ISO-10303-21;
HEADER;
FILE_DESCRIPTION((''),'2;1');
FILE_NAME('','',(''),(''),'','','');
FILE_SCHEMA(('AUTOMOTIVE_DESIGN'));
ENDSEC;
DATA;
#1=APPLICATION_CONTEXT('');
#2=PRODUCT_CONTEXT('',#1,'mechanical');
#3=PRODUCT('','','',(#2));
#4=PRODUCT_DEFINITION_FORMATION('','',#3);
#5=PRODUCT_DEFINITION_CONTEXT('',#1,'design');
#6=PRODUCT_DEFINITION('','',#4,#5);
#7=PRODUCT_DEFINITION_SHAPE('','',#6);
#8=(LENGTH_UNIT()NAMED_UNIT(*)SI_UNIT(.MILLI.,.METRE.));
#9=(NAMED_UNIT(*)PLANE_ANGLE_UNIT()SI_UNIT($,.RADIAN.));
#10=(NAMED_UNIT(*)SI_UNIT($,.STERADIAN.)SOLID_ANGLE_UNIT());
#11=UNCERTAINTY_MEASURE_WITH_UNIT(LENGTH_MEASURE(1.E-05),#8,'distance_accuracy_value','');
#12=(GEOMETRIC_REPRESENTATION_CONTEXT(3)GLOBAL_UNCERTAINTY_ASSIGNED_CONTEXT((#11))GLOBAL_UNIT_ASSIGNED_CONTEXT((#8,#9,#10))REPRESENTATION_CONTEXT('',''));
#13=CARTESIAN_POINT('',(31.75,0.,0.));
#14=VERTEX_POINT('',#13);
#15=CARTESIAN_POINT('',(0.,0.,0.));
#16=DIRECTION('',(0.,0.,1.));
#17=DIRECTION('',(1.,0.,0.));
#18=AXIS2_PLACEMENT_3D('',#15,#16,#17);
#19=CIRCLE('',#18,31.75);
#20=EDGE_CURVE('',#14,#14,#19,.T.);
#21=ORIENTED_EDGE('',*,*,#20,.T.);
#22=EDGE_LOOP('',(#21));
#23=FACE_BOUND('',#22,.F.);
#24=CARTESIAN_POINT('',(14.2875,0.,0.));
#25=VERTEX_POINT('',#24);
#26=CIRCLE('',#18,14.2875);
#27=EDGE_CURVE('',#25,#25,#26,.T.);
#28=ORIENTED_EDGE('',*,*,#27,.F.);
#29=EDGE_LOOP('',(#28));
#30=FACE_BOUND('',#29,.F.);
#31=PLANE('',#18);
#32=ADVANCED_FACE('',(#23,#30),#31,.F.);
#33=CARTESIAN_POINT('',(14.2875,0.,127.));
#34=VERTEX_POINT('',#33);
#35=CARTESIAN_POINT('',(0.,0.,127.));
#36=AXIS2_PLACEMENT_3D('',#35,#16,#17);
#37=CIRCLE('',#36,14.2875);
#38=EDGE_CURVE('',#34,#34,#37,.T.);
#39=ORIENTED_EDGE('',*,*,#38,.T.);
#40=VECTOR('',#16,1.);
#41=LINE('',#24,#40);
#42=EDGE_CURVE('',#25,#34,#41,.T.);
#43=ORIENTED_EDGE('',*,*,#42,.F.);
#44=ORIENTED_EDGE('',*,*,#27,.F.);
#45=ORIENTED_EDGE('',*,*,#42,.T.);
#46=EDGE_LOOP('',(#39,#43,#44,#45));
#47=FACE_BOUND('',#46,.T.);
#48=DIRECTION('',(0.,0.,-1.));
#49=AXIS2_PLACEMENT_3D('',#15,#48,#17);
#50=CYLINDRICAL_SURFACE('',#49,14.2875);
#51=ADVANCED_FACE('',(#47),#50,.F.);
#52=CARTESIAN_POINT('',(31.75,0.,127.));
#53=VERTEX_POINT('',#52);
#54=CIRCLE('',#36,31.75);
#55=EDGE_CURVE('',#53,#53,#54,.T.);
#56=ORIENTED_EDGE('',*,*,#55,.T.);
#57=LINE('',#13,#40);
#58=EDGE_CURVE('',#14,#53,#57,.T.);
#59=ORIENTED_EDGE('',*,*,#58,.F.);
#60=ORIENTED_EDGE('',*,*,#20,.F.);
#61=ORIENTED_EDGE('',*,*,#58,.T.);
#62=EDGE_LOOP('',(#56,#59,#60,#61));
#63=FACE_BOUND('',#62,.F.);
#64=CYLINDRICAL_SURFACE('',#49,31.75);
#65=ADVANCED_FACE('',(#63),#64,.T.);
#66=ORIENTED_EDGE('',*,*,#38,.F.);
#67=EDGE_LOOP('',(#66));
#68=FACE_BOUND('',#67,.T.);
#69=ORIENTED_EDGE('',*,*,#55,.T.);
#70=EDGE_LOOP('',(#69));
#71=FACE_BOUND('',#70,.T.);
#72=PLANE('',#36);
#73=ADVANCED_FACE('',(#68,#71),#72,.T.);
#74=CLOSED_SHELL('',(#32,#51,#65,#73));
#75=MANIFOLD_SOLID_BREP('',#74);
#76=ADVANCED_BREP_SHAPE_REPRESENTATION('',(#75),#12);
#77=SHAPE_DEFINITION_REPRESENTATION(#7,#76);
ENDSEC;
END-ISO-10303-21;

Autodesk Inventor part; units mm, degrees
ref_plane "YZ Plane" through (0, 0, 0) normal (1, 0, 0) x (0, 1, 0)
ref_plane "XZ Plane" through (0, 0, 0) normal (0, 1, 0) x (-1, 0, 0)
ref_plane "XY Plane" through (0, 0, 0) normal (0, 0, 1) x (1, 0, 0)
sketch "Sketch1" plane through (0, 0, 0) normal (0, 0, 1) x (1, 0, 0)
  circle A0 centre (0, 0) radius 31.75
  circle A1 centre (0, 0) radius 14.2875
  dimension "d0" = 63.5
  dimension "d1" = 28.575
extrude "Extrusion1" add sketch "Sketch1" along normal blind 127
properties part number "Long Pool Noodle"
